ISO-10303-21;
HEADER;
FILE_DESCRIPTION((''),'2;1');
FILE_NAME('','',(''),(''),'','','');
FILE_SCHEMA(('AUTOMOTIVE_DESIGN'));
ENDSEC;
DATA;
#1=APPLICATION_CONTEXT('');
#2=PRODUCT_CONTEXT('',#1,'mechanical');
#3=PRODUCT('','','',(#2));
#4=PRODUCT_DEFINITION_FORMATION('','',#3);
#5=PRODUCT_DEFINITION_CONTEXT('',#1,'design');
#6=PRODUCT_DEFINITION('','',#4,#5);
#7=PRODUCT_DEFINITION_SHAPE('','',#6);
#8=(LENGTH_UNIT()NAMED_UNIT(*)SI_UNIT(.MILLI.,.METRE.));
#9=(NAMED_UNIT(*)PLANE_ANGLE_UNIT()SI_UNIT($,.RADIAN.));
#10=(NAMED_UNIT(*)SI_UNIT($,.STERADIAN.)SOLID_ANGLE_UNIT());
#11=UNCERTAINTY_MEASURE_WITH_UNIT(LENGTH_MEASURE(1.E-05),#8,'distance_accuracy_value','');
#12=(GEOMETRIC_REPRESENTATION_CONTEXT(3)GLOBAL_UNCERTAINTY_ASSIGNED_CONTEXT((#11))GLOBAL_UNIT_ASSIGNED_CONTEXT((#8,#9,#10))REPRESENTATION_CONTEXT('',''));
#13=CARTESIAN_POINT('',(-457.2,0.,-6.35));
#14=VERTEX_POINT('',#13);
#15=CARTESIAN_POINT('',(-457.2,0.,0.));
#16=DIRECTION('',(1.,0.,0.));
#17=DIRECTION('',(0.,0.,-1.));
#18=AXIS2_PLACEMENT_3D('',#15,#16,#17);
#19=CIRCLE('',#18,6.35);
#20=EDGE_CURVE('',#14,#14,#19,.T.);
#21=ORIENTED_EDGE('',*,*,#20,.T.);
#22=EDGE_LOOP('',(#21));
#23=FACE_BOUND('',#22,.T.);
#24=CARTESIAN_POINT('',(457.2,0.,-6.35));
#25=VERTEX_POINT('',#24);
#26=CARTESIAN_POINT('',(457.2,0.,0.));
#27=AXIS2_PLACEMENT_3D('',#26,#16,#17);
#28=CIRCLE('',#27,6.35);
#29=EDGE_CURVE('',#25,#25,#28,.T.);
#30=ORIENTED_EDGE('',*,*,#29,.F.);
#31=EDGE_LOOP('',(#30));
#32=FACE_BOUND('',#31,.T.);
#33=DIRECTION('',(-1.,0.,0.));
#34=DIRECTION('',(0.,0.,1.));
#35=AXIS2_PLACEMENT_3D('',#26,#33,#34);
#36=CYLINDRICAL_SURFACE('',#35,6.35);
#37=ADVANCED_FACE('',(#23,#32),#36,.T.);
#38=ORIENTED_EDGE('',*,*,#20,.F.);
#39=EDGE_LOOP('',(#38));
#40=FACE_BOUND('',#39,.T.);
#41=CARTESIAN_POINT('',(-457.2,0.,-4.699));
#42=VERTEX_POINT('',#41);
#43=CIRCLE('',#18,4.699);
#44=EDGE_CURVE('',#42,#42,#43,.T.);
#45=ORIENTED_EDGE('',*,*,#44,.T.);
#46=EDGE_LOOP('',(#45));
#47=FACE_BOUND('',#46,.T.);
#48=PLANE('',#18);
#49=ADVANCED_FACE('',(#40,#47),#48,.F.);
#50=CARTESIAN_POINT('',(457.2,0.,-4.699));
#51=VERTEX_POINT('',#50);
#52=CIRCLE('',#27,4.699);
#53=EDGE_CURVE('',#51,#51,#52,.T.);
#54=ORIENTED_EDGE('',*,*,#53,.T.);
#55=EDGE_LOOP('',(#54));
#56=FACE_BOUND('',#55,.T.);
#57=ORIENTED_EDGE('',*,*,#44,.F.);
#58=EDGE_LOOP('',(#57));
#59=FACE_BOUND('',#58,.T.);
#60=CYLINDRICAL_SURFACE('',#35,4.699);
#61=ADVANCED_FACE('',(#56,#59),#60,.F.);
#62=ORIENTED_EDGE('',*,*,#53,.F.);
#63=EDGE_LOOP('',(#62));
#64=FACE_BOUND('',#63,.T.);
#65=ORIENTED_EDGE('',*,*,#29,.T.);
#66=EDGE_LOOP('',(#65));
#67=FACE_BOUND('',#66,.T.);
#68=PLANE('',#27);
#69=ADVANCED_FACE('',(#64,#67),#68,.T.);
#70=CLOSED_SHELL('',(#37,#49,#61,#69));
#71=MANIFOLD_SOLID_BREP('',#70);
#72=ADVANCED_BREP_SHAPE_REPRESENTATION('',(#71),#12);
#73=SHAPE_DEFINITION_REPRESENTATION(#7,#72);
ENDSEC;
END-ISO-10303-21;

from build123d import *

# Parameters (mm, degrees)
SKETCH1_R      = 6.35
SKETCH1_R_2    = 4.699
EXTRUDE1_DEPTH = 457.2


with BuildPart() as part:
    # Sketch1 → Extrude1 (new, symmetric)
    with BuildSketch(Plane(origin=(0, 0, 0), x_dir=(0, 0, -1), z_dir=(1, 0, 0))):
        Circle(SKETCH1_R)
        Circle(SKETCH1_R_2, mode=Mode.SUBTRACT)
    extrude(amount=EXTRUDE1_DEPTH, both=True)


solid = part.part
